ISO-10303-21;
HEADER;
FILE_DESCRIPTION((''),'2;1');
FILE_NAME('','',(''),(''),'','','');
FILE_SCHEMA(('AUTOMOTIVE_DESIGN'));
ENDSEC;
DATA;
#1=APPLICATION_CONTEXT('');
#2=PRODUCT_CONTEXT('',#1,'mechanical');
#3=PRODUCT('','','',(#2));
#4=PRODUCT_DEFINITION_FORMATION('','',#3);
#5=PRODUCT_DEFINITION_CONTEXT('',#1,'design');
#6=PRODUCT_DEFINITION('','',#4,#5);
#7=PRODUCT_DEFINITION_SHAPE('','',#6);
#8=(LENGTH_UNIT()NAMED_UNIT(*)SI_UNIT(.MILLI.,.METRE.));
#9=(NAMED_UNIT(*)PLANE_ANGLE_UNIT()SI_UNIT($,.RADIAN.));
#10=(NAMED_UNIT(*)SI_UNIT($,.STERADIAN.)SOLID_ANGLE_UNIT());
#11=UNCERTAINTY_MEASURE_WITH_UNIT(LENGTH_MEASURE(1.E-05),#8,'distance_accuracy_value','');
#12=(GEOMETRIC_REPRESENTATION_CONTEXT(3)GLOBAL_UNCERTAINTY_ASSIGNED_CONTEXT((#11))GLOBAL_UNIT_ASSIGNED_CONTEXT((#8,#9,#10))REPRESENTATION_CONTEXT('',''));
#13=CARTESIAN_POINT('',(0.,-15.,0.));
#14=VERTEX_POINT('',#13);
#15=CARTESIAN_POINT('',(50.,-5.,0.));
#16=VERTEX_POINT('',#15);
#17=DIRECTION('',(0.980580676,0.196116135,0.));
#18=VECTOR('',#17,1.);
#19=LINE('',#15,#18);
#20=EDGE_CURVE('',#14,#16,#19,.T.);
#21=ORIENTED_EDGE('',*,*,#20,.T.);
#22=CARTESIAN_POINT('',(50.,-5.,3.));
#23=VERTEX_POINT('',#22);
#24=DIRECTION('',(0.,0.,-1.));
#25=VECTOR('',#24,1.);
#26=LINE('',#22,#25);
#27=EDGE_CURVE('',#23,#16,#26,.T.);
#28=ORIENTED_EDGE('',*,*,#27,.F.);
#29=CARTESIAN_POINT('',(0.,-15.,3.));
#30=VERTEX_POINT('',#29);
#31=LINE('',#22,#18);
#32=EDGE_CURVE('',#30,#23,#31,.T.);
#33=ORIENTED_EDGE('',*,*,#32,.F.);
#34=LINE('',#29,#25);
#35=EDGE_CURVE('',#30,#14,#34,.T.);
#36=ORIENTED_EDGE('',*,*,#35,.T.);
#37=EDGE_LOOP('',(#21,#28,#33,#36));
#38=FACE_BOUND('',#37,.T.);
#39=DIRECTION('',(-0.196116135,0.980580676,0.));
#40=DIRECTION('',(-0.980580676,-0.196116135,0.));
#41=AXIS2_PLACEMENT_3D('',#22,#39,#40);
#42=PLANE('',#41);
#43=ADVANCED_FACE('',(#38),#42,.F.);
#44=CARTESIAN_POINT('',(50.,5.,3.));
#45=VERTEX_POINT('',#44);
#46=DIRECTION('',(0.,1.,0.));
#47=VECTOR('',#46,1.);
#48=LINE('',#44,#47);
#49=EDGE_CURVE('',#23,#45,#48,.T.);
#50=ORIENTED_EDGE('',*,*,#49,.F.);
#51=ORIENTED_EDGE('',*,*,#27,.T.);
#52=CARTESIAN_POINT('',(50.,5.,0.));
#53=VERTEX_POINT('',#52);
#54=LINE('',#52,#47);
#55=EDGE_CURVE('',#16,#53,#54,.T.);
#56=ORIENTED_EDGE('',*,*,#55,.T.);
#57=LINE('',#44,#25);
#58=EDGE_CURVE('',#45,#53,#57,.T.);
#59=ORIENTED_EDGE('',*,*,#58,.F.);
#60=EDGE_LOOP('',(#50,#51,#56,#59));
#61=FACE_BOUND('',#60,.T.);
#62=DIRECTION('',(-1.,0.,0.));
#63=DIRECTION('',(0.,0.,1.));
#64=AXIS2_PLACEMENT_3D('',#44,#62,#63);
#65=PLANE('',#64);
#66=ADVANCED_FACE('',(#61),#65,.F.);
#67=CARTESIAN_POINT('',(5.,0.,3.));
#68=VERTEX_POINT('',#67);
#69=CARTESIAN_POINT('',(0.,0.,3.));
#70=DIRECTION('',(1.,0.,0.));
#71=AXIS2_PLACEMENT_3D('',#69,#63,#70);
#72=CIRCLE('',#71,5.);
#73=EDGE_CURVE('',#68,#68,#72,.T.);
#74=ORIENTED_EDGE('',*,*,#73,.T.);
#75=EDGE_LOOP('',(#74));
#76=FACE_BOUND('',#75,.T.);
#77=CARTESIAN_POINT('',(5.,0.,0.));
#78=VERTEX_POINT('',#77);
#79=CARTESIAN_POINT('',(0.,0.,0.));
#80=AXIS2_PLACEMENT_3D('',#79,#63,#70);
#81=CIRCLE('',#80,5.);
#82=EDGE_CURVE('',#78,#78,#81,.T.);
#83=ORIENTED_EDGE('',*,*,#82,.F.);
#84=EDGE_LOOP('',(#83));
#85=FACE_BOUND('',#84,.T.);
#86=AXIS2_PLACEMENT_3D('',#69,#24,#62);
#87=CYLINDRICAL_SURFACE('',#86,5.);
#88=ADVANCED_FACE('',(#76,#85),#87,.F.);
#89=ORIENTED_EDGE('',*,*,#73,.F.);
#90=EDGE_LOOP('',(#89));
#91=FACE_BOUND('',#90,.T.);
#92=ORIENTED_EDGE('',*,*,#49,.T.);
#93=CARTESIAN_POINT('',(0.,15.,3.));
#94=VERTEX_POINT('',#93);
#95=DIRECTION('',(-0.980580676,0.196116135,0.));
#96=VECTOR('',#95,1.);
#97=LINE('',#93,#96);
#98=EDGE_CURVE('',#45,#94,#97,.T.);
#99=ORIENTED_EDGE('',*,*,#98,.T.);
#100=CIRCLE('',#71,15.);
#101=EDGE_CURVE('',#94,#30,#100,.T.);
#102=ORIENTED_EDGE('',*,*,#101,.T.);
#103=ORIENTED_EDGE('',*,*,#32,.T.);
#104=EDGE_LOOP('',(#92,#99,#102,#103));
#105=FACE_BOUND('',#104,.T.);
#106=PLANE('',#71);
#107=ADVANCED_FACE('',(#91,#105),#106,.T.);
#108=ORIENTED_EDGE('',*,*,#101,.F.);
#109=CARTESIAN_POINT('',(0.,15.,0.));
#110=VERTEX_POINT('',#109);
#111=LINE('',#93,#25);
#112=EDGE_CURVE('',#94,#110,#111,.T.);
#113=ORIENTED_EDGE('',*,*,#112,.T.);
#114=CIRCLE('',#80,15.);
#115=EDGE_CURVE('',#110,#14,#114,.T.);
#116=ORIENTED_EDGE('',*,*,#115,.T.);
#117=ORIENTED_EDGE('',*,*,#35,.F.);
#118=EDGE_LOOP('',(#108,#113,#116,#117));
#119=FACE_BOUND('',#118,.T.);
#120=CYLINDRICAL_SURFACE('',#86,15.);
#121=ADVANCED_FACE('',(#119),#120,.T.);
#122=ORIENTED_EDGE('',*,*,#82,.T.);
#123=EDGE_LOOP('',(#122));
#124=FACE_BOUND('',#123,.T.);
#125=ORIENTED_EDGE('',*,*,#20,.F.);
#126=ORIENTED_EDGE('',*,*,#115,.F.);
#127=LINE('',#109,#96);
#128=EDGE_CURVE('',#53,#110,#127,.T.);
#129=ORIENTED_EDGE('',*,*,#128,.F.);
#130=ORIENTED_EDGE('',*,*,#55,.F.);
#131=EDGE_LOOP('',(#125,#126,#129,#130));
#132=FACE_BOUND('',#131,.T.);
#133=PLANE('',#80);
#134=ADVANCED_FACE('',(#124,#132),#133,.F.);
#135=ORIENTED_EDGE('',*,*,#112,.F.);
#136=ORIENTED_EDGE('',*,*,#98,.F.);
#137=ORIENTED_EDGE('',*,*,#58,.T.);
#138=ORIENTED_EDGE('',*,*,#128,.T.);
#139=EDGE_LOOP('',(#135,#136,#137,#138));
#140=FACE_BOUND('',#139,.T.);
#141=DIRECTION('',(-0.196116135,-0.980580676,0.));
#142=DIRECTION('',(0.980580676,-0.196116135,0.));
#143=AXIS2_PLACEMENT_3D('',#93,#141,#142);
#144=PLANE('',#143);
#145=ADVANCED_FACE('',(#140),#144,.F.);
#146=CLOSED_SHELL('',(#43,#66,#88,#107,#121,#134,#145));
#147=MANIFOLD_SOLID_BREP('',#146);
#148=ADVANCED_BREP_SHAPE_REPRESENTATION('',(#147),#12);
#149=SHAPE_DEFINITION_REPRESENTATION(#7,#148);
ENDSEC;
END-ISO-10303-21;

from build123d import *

# Parameters (mm, degrees)
SKETCH1_R           = 5
BOSS_EXTRUDE1_DEPTH = 3


with BuildPart() as part:
    # Sketch1 → Boss-Extrude1 (new body)
    with BuildSketch(Plane.XY):
        with BuildLine():
            Line((0, 15), (50, 5))
            Line((50, 5), (50, -5))
            Line((50, -5), (0, -15))
            ThreePointArc((0, -15), (-15, 0), (0, 15))
        make_face()
        Circle(SKETCH1_R, mode=Mode.SUBTRACT)
    extrude(amount=BOSS_EXTRUDE1_DEPTH)


solid = part.part
